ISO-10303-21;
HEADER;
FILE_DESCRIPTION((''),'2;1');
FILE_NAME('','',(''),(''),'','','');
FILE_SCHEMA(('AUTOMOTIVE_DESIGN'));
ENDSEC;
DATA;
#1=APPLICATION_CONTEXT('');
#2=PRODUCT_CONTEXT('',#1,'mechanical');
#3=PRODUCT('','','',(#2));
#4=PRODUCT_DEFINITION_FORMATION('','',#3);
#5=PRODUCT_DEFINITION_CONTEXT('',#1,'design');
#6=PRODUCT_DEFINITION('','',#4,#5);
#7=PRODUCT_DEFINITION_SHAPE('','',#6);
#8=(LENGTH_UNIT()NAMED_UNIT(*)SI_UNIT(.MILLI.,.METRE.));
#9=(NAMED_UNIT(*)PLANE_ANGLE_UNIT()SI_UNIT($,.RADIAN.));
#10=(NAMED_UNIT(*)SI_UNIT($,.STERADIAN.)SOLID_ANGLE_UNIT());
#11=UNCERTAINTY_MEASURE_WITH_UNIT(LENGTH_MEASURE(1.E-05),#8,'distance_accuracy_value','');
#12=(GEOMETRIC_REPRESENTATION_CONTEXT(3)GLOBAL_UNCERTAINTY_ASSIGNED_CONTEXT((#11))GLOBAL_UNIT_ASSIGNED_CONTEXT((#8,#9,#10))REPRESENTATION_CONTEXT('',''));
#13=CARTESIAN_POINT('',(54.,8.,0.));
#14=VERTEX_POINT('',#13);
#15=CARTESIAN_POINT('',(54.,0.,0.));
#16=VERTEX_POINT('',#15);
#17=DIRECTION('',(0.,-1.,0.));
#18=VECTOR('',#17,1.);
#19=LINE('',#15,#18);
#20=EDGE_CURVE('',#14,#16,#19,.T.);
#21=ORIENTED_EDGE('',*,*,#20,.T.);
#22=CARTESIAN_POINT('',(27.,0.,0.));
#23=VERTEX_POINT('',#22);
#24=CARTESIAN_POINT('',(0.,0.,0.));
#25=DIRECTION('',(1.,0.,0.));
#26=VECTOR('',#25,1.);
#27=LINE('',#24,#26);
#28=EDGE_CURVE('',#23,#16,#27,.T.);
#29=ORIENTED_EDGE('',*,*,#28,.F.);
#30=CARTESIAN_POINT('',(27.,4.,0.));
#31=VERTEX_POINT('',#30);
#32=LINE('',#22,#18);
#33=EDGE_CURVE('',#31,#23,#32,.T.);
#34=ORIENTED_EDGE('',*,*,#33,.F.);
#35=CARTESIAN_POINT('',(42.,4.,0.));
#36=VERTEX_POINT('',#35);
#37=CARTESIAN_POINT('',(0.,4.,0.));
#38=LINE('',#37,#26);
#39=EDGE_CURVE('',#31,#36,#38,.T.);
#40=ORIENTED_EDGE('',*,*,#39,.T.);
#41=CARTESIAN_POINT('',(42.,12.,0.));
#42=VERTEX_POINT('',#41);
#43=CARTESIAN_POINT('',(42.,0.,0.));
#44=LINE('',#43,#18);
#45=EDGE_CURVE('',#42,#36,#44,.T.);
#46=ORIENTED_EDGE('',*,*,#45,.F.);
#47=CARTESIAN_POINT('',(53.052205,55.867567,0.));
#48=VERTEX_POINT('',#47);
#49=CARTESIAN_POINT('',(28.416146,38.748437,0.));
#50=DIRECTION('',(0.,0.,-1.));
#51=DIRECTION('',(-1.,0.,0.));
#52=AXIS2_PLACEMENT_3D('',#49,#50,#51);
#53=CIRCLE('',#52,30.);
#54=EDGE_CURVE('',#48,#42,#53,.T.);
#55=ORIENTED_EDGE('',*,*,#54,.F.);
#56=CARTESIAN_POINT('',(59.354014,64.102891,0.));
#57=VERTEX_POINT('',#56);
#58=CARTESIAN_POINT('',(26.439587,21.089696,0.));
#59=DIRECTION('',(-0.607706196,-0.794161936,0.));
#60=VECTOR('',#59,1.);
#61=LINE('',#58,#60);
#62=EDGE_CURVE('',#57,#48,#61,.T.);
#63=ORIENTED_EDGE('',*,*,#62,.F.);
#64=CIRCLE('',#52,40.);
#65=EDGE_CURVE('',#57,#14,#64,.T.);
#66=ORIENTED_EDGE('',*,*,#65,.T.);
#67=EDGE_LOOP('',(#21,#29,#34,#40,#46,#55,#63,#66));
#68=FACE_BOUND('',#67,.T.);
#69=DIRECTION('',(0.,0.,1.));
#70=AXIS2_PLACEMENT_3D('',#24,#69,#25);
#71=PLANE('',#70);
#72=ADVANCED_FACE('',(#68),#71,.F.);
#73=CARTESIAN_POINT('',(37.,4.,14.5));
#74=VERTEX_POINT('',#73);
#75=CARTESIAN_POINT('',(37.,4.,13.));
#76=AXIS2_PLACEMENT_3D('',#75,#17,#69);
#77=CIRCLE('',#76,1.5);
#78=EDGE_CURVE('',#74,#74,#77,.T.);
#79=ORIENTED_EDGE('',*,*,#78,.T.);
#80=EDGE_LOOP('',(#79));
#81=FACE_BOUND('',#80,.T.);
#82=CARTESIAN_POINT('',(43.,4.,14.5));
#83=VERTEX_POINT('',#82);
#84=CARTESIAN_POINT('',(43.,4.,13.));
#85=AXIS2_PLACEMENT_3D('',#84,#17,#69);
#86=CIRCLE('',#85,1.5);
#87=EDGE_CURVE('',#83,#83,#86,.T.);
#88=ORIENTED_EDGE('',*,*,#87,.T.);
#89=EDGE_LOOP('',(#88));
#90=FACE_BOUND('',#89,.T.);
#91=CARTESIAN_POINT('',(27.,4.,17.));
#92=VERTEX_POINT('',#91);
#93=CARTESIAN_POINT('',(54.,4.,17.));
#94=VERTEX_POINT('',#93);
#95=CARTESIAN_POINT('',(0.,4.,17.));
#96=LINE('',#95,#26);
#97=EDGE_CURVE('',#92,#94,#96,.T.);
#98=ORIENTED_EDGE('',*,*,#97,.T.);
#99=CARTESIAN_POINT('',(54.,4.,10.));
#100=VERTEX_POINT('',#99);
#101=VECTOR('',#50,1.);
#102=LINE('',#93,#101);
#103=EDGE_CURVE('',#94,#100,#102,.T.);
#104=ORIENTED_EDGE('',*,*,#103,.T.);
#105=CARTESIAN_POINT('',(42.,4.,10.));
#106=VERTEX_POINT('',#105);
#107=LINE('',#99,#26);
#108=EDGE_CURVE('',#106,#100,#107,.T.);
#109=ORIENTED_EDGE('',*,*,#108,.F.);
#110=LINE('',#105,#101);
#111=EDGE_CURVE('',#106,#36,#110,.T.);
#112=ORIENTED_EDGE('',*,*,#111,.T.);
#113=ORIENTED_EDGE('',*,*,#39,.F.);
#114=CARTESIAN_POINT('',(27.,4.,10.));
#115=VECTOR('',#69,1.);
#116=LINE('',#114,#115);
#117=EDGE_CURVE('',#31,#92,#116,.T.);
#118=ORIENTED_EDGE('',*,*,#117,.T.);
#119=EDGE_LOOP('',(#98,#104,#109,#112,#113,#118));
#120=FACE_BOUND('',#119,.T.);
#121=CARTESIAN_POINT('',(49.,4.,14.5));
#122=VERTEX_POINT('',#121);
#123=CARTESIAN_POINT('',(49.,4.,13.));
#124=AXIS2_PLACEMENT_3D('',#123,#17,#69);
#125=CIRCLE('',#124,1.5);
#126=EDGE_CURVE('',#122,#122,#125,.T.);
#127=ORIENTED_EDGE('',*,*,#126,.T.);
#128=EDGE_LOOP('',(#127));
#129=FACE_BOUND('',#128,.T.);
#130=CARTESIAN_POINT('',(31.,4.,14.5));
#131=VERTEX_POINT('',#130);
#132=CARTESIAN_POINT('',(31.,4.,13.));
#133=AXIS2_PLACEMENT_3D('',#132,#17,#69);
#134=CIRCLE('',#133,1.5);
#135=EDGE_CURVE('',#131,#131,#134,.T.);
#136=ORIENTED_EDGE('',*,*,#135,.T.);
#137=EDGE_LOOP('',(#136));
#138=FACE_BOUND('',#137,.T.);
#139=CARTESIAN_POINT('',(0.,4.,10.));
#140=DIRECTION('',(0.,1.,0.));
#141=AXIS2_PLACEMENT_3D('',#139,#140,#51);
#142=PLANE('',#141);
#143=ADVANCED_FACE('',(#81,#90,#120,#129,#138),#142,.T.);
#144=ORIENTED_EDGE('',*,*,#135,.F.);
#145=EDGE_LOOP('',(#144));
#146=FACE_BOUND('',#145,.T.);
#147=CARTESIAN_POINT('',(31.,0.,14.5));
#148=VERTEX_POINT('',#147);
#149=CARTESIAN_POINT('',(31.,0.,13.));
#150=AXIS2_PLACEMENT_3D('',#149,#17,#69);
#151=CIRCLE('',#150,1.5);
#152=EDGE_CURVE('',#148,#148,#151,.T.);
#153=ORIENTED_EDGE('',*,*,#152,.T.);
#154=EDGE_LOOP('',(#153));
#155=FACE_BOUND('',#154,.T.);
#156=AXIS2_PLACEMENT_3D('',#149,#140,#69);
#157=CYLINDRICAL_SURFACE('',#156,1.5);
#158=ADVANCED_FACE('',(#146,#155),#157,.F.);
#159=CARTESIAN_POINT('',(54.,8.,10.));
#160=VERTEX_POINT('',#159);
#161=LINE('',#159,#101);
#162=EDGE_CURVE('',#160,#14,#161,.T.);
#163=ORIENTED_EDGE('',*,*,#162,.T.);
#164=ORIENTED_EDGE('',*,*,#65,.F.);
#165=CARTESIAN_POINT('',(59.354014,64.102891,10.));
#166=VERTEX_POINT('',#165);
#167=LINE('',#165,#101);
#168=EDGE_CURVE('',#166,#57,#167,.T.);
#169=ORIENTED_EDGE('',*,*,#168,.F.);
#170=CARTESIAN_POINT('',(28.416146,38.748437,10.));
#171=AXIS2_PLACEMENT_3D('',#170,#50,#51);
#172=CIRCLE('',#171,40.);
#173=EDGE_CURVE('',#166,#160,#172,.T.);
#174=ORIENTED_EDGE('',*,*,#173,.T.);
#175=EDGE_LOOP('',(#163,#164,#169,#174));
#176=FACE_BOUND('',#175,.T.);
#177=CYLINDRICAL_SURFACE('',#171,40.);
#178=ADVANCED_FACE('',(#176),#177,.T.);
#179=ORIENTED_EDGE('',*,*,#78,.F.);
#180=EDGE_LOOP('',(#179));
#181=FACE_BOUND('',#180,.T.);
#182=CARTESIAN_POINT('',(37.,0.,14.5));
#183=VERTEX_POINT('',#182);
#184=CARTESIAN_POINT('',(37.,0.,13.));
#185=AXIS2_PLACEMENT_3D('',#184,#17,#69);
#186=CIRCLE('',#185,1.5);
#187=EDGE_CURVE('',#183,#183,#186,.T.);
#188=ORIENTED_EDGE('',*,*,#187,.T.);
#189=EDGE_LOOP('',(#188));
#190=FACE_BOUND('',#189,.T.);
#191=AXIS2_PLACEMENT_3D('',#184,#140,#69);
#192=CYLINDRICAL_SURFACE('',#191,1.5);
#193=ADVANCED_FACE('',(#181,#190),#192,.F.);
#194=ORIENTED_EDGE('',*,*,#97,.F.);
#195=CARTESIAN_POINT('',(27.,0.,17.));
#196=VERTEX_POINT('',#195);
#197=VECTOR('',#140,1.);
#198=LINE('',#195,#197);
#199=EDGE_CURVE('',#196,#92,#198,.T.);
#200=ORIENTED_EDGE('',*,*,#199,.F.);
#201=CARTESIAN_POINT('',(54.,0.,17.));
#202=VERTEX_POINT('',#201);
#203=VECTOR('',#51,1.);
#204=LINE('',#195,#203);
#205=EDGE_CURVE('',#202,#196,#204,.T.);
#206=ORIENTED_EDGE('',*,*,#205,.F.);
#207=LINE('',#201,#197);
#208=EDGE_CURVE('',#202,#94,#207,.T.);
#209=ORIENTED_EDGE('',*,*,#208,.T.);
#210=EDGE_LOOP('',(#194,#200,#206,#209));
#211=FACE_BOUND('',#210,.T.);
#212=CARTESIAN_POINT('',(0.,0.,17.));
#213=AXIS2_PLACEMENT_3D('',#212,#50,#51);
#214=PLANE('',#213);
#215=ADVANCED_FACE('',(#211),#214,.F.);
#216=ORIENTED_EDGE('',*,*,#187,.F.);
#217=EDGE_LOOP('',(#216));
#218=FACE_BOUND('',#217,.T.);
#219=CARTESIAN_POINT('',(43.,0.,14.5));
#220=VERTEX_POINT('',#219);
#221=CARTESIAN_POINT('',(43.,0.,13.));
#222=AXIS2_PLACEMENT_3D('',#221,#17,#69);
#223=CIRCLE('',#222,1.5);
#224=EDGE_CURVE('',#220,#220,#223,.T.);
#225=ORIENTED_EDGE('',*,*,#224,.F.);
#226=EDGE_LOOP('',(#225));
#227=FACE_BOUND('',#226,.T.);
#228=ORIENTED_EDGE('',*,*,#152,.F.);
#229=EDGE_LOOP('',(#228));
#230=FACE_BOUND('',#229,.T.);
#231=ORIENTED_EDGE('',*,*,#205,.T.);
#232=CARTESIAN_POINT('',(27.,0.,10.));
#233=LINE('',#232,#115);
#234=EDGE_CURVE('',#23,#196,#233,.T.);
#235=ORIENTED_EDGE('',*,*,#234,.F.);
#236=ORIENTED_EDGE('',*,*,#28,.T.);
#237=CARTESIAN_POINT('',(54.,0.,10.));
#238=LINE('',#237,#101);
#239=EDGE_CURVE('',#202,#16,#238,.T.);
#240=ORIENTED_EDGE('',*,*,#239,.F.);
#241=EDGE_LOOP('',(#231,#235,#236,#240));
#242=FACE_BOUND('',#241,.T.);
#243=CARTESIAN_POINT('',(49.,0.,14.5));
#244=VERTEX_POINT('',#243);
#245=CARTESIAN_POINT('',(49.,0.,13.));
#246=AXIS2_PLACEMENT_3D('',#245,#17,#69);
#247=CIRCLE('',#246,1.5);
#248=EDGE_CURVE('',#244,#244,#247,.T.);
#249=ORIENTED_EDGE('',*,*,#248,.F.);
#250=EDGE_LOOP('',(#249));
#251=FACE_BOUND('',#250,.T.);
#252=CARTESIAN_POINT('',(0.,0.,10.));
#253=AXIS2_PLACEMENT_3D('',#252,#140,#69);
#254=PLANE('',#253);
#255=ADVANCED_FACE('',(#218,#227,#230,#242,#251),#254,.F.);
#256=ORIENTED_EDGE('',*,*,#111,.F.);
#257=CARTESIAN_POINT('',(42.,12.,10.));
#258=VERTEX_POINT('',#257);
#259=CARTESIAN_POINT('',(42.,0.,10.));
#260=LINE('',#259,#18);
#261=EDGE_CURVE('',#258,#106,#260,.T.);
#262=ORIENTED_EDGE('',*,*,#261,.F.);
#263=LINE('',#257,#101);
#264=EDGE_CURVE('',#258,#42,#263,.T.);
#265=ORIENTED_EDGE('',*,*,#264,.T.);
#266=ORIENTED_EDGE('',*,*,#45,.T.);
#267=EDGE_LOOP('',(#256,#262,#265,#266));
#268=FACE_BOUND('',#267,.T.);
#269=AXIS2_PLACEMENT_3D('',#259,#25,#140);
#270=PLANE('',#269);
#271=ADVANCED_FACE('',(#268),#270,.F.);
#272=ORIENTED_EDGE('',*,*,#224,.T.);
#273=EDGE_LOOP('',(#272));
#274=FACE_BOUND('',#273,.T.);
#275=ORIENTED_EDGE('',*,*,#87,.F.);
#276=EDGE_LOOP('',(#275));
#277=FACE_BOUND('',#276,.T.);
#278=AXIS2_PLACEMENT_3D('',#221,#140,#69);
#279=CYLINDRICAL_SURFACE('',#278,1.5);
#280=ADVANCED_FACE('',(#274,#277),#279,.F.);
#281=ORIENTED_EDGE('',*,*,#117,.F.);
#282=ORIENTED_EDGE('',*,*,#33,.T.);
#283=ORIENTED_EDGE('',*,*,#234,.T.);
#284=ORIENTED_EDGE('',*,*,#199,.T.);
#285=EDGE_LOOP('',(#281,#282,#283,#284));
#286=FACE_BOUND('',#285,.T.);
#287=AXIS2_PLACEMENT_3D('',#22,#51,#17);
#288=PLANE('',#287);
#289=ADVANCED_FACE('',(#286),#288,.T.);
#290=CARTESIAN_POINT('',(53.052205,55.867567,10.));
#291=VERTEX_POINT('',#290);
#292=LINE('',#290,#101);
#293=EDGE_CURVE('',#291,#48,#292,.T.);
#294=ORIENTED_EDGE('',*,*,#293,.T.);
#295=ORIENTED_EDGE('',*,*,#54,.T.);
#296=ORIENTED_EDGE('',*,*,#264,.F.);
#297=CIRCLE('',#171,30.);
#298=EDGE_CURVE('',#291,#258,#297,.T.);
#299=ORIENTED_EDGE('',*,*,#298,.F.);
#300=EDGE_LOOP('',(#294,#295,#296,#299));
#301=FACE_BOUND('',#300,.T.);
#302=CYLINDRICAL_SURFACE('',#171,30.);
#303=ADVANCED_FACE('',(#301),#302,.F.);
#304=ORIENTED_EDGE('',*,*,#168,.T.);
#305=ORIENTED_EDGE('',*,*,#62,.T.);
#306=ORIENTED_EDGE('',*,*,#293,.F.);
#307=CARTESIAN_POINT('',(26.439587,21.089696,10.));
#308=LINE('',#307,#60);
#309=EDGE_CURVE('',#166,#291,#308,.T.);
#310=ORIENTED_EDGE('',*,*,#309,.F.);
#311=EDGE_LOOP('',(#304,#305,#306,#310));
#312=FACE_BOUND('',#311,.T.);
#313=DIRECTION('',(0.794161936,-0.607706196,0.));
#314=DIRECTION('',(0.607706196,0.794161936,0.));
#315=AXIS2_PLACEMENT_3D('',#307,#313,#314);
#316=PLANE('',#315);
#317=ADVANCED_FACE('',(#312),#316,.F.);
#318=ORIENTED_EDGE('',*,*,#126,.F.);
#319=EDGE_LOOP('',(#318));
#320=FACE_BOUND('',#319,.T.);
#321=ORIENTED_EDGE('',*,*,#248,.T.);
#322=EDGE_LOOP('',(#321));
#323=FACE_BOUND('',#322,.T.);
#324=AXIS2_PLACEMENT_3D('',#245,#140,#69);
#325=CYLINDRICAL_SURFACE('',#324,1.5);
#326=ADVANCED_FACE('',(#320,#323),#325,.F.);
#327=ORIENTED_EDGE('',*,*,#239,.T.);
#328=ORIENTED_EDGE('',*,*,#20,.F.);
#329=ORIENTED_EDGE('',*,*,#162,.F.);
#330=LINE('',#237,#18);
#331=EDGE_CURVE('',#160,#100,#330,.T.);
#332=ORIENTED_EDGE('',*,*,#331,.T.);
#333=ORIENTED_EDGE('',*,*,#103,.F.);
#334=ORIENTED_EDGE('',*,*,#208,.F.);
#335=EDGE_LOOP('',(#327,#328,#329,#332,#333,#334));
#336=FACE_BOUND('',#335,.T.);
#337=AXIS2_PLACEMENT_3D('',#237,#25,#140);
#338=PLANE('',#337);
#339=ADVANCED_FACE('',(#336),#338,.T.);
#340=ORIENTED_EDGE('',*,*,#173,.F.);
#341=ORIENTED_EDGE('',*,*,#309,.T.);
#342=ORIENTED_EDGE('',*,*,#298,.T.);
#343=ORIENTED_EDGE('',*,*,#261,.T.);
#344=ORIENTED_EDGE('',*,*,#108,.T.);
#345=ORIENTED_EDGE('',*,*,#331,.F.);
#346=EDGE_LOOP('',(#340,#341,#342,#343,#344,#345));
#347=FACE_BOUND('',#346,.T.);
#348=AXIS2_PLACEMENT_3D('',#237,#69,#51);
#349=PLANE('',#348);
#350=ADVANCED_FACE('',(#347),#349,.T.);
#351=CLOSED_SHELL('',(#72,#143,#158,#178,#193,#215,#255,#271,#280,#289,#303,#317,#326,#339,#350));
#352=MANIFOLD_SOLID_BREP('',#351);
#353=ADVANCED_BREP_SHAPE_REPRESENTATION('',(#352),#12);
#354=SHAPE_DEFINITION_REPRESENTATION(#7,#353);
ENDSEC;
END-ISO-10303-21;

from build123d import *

# Parameters (mm, degrees)
BOSS_EXTRUDE1_DEPTH     = 10
SKETCH3_W               = 27
SKETCH3_H               = 4
BOSS_EXTRUDE2_DEPTH     = 17
SKETCH4_R               = 1.5
CUT_EXTRUDE1_DEPTH      = 4
CUT_EXTRUDE2_DEPTH      = 15
CUT_EXTRUDE2_DEPTH_BACK = 27
SKETCH5_W               = 24.801401456
SKETCH5_H               = 70.149949376


with BuildPart() as part:
    # Sketch1 → Boss-Extrude1 (new body)
    with BuildSketch(Plane.XY):
        with BuildLine():
            Line((0.947795447, 55.867567374), (-5.354013975, 64.102890964))
            ThreePointArc((-5.354013975, 64.102890964), (-14.235235054, 34.948420067), (0, 8))
            Line((0, 8), (0, 4))
            Line((0, 4), (0, 0))
            Line((0, 0), (27, 0))
            Line((27, 0), (27, 4))
            Line((27, 4), (12, 4))
            Line((12, 4), (12, 12))
            ThreePointArc((12, 12), (-3.507060252, 31.419133439), (0.947795447, 55.867567374))
        make_face()
    boss_extrude1 = extrude(amount=BOSS_EXTRUDE1_DEPTH)

    # Sketch3 → Boss-Extrude2 (add)
    with BuildSketch(Plane.XY):
        with Locations((13.5, 2)):
            Rectangle(SKETCH3_W, SKETCH3_H)
    boss_extrude2 = extrude(amount=BOSS_EXTRUDE2_DEPTH)

    # Sketch4 → Cut-Extrude1 (cut)
    with BuildSketch(Plane(origin=(0, 4, 0), x_dir=(1, 0, 0), z_dir=(0, 1, 0))):
        with Locations(Location((5, -13, 0), (0, 0, 270))):
            Circle(SKETCH4_R)
        with Locations(Location((11, -13, 0), (0, 0, 270))):
            Circle(SKETCH4_R)
        with Locations(Location((17, -13, 0), (0, 0, 270))):
            Circle(SKETCH4_R)
        with Locations(Location((23, -13, 0), (0, 0, 270))):
            Circle(SKETCH4_R)
    cut_extrude1 = extrude(amount=-CUT_EXTRUDE1_DEPTH, mode=Mode.SUBTRACT)

    # Mirror8: Boss-Extrude1, Boss-Extrude2, Cut-Extrude1 across plane
    add(boss_extrude1.mirror(Plane(origin=(27, 0, 10), x_dir=(0, 0, 1), z_dir=(-1, 0, 0))))
    add(boss_extrude2.mirror(Plane(origin=(27, 0, 10), x_dir=(0, 0, 1), z_dir=(-1, 0, 0))))
    add(cut_extrude1.mirror(Plane(origin=(27, 0, 10), x_dir=(0, 0, 1), z_dir=(-1, 0, 0))), mode=Mode.SUBTRACT)

    # Sketch5 → Cut-Extrude2 (cut, two sides: drawn at the far end of the back side and taken through both)
    with BuildSketch(Plane.ZY.offset(-CUT_EXTRUDE2_DEPTH_BACK)):
        with Locations((8.5, 31.779897291)):
            Rectangle(SKETCH5_W, SKETCH5_H)
    extrude(amount=CUT_EXTRUDE2_DEPTH + CUT_EXTRUDE2_DEPTH_BACK, mode=Mode.SUBTRACT)


solid = part.part
